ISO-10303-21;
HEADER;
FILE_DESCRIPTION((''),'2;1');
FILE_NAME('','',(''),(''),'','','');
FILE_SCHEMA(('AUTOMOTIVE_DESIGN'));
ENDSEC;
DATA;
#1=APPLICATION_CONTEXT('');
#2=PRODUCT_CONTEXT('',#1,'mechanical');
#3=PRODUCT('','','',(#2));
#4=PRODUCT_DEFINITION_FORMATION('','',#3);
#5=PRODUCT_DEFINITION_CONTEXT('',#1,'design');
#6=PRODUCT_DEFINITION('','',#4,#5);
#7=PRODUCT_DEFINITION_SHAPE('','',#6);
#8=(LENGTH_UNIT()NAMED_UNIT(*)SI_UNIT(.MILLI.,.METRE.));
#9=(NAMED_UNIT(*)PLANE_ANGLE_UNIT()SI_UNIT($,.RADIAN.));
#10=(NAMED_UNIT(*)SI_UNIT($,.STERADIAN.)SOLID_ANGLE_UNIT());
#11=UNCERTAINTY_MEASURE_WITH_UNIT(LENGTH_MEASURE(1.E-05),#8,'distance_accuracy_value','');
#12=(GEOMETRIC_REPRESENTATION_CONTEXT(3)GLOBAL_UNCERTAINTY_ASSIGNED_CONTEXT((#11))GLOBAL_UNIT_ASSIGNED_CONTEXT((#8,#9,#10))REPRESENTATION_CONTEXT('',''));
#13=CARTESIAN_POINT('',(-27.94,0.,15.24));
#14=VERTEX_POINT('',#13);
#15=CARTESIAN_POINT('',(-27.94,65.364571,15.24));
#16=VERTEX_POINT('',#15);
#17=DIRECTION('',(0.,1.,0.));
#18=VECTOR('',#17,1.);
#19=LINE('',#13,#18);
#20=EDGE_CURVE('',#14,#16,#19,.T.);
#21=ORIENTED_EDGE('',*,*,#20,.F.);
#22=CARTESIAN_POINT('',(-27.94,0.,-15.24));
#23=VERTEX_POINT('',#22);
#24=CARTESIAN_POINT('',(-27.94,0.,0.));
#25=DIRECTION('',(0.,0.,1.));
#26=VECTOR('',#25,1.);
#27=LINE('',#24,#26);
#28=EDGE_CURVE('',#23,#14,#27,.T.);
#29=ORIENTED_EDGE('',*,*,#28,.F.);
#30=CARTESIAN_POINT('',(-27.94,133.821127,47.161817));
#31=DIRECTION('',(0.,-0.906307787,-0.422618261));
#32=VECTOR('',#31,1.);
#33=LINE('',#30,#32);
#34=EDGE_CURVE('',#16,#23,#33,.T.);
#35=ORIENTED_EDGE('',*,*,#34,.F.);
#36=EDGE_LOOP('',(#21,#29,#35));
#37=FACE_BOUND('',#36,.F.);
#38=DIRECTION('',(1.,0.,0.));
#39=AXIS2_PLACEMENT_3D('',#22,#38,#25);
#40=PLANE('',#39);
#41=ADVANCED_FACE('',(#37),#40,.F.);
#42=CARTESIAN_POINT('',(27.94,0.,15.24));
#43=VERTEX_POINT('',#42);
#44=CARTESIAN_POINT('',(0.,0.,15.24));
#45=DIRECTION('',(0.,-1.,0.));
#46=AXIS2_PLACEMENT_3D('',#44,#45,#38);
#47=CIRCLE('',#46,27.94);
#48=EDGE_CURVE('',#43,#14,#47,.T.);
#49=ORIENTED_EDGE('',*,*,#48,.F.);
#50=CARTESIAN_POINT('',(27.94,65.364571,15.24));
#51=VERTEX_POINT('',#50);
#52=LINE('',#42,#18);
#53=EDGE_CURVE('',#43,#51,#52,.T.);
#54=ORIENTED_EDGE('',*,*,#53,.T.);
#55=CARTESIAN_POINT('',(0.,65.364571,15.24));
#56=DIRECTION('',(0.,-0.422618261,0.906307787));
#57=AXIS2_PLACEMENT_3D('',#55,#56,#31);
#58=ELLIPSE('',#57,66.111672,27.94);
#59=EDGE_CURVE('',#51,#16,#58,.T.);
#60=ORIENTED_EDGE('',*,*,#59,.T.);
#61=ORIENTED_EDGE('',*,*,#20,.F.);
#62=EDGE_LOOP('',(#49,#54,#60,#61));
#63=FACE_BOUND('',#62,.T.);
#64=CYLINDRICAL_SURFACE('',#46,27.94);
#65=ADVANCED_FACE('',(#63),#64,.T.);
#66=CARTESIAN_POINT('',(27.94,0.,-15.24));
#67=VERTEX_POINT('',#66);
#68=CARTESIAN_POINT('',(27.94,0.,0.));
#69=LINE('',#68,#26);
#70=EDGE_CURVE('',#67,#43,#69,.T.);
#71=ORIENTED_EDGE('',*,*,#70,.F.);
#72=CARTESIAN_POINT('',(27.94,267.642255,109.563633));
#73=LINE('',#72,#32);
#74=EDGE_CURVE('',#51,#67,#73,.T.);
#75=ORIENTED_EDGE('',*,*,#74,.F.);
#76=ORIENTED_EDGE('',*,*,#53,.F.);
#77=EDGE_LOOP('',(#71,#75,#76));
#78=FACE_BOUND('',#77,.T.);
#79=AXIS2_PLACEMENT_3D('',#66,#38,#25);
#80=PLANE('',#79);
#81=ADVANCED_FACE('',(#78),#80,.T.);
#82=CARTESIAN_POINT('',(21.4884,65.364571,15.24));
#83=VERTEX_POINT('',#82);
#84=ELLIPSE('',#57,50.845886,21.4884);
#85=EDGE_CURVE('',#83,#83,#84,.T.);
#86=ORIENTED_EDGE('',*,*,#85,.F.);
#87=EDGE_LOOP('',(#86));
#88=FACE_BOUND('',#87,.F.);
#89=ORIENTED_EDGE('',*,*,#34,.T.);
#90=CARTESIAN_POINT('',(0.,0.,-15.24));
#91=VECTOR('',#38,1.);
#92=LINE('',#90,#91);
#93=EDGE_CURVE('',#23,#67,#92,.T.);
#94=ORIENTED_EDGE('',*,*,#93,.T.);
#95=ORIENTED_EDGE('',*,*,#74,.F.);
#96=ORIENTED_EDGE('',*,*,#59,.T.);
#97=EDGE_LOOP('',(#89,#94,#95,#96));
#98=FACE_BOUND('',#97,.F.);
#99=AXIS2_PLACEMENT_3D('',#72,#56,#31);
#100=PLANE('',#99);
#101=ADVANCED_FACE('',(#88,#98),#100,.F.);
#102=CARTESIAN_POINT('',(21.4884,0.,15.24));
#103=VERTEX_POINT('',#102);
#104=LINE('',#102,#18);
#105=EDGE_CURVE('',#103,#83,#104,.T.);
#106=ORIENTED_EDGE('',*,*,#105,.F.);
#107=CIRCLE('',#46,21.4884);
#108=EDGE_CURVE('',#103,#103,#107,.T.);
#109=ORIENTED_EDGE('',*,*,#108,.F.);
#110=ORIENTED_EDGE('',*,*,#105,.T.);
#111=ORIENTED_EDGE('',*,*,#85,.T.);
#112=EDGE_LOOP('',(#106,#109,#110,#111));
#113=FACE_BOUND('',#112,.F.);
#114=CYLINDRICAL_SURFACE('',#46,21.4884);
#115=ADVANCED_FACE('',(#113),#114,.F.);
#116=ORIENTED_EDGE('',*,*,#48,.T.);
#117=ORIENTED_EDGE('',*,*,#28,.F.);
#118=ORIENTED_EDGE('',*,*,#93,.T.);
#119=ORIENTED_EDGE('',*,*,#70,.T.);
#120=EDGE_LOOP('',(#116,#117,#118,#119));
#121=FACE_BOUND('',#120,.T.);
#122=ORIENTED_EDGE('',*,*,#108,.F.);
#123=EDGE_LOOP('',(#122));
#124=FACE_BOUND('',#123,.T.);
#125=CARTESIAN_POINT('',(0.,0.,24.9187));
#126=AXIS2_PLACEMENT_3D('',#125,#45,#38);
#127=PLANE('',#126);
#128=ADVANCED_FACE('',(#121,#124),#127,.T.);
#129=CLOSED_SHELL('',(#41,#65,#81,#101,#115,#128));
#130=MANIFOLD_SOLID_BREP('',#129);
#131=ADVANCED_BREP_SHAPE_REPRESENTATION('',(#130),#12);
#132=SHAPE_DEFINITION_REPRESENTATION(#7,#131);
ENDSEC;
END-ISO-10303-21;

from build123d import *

# Parameters (mm, degrees)
F0_W     = 55.88
F0_H     = 30.48
F1_DEPTH = 127
F2_R     = 21.4884
F3_DEPTH = 127.001
F5_DEPTH = 55.881


with BuildPart() as f1:
    # F0 (on Front) → F1 (new body)
    with BuildSketch(Plane.XZ):
        with BuildLine():
            Line((-27.94, 15.24), (27.94, 15.24))
            ThreePointArc((27.94, 15.24), (0, 43.18), (-27.94, 15.24))
        make_face()
        Rectangle(F0_W, F0_H)
    extrude(amount=-F1_DEPTH)

    # F2 (on face) → F3 (cut, through all)
    with BuildSketch(Plane.XZ):
        with Locations((0, 15.24)):
            Circle(F2_R)
    extrude(amount=-F3_DEPTH, mode=Mode.SUBTRACT)

    # F4 (on face) → F5 (cut, through all)
    with BuildSketch(Plane.YZ.offset(27.94)):
        Polygon((267.642255, 109.563633), (0, -15.24), (267.642255, -15.24), align=None)
    extrude(amount=-F5_DEPTH, mode=Mode.SUBTRACT)


solid = f1.part
